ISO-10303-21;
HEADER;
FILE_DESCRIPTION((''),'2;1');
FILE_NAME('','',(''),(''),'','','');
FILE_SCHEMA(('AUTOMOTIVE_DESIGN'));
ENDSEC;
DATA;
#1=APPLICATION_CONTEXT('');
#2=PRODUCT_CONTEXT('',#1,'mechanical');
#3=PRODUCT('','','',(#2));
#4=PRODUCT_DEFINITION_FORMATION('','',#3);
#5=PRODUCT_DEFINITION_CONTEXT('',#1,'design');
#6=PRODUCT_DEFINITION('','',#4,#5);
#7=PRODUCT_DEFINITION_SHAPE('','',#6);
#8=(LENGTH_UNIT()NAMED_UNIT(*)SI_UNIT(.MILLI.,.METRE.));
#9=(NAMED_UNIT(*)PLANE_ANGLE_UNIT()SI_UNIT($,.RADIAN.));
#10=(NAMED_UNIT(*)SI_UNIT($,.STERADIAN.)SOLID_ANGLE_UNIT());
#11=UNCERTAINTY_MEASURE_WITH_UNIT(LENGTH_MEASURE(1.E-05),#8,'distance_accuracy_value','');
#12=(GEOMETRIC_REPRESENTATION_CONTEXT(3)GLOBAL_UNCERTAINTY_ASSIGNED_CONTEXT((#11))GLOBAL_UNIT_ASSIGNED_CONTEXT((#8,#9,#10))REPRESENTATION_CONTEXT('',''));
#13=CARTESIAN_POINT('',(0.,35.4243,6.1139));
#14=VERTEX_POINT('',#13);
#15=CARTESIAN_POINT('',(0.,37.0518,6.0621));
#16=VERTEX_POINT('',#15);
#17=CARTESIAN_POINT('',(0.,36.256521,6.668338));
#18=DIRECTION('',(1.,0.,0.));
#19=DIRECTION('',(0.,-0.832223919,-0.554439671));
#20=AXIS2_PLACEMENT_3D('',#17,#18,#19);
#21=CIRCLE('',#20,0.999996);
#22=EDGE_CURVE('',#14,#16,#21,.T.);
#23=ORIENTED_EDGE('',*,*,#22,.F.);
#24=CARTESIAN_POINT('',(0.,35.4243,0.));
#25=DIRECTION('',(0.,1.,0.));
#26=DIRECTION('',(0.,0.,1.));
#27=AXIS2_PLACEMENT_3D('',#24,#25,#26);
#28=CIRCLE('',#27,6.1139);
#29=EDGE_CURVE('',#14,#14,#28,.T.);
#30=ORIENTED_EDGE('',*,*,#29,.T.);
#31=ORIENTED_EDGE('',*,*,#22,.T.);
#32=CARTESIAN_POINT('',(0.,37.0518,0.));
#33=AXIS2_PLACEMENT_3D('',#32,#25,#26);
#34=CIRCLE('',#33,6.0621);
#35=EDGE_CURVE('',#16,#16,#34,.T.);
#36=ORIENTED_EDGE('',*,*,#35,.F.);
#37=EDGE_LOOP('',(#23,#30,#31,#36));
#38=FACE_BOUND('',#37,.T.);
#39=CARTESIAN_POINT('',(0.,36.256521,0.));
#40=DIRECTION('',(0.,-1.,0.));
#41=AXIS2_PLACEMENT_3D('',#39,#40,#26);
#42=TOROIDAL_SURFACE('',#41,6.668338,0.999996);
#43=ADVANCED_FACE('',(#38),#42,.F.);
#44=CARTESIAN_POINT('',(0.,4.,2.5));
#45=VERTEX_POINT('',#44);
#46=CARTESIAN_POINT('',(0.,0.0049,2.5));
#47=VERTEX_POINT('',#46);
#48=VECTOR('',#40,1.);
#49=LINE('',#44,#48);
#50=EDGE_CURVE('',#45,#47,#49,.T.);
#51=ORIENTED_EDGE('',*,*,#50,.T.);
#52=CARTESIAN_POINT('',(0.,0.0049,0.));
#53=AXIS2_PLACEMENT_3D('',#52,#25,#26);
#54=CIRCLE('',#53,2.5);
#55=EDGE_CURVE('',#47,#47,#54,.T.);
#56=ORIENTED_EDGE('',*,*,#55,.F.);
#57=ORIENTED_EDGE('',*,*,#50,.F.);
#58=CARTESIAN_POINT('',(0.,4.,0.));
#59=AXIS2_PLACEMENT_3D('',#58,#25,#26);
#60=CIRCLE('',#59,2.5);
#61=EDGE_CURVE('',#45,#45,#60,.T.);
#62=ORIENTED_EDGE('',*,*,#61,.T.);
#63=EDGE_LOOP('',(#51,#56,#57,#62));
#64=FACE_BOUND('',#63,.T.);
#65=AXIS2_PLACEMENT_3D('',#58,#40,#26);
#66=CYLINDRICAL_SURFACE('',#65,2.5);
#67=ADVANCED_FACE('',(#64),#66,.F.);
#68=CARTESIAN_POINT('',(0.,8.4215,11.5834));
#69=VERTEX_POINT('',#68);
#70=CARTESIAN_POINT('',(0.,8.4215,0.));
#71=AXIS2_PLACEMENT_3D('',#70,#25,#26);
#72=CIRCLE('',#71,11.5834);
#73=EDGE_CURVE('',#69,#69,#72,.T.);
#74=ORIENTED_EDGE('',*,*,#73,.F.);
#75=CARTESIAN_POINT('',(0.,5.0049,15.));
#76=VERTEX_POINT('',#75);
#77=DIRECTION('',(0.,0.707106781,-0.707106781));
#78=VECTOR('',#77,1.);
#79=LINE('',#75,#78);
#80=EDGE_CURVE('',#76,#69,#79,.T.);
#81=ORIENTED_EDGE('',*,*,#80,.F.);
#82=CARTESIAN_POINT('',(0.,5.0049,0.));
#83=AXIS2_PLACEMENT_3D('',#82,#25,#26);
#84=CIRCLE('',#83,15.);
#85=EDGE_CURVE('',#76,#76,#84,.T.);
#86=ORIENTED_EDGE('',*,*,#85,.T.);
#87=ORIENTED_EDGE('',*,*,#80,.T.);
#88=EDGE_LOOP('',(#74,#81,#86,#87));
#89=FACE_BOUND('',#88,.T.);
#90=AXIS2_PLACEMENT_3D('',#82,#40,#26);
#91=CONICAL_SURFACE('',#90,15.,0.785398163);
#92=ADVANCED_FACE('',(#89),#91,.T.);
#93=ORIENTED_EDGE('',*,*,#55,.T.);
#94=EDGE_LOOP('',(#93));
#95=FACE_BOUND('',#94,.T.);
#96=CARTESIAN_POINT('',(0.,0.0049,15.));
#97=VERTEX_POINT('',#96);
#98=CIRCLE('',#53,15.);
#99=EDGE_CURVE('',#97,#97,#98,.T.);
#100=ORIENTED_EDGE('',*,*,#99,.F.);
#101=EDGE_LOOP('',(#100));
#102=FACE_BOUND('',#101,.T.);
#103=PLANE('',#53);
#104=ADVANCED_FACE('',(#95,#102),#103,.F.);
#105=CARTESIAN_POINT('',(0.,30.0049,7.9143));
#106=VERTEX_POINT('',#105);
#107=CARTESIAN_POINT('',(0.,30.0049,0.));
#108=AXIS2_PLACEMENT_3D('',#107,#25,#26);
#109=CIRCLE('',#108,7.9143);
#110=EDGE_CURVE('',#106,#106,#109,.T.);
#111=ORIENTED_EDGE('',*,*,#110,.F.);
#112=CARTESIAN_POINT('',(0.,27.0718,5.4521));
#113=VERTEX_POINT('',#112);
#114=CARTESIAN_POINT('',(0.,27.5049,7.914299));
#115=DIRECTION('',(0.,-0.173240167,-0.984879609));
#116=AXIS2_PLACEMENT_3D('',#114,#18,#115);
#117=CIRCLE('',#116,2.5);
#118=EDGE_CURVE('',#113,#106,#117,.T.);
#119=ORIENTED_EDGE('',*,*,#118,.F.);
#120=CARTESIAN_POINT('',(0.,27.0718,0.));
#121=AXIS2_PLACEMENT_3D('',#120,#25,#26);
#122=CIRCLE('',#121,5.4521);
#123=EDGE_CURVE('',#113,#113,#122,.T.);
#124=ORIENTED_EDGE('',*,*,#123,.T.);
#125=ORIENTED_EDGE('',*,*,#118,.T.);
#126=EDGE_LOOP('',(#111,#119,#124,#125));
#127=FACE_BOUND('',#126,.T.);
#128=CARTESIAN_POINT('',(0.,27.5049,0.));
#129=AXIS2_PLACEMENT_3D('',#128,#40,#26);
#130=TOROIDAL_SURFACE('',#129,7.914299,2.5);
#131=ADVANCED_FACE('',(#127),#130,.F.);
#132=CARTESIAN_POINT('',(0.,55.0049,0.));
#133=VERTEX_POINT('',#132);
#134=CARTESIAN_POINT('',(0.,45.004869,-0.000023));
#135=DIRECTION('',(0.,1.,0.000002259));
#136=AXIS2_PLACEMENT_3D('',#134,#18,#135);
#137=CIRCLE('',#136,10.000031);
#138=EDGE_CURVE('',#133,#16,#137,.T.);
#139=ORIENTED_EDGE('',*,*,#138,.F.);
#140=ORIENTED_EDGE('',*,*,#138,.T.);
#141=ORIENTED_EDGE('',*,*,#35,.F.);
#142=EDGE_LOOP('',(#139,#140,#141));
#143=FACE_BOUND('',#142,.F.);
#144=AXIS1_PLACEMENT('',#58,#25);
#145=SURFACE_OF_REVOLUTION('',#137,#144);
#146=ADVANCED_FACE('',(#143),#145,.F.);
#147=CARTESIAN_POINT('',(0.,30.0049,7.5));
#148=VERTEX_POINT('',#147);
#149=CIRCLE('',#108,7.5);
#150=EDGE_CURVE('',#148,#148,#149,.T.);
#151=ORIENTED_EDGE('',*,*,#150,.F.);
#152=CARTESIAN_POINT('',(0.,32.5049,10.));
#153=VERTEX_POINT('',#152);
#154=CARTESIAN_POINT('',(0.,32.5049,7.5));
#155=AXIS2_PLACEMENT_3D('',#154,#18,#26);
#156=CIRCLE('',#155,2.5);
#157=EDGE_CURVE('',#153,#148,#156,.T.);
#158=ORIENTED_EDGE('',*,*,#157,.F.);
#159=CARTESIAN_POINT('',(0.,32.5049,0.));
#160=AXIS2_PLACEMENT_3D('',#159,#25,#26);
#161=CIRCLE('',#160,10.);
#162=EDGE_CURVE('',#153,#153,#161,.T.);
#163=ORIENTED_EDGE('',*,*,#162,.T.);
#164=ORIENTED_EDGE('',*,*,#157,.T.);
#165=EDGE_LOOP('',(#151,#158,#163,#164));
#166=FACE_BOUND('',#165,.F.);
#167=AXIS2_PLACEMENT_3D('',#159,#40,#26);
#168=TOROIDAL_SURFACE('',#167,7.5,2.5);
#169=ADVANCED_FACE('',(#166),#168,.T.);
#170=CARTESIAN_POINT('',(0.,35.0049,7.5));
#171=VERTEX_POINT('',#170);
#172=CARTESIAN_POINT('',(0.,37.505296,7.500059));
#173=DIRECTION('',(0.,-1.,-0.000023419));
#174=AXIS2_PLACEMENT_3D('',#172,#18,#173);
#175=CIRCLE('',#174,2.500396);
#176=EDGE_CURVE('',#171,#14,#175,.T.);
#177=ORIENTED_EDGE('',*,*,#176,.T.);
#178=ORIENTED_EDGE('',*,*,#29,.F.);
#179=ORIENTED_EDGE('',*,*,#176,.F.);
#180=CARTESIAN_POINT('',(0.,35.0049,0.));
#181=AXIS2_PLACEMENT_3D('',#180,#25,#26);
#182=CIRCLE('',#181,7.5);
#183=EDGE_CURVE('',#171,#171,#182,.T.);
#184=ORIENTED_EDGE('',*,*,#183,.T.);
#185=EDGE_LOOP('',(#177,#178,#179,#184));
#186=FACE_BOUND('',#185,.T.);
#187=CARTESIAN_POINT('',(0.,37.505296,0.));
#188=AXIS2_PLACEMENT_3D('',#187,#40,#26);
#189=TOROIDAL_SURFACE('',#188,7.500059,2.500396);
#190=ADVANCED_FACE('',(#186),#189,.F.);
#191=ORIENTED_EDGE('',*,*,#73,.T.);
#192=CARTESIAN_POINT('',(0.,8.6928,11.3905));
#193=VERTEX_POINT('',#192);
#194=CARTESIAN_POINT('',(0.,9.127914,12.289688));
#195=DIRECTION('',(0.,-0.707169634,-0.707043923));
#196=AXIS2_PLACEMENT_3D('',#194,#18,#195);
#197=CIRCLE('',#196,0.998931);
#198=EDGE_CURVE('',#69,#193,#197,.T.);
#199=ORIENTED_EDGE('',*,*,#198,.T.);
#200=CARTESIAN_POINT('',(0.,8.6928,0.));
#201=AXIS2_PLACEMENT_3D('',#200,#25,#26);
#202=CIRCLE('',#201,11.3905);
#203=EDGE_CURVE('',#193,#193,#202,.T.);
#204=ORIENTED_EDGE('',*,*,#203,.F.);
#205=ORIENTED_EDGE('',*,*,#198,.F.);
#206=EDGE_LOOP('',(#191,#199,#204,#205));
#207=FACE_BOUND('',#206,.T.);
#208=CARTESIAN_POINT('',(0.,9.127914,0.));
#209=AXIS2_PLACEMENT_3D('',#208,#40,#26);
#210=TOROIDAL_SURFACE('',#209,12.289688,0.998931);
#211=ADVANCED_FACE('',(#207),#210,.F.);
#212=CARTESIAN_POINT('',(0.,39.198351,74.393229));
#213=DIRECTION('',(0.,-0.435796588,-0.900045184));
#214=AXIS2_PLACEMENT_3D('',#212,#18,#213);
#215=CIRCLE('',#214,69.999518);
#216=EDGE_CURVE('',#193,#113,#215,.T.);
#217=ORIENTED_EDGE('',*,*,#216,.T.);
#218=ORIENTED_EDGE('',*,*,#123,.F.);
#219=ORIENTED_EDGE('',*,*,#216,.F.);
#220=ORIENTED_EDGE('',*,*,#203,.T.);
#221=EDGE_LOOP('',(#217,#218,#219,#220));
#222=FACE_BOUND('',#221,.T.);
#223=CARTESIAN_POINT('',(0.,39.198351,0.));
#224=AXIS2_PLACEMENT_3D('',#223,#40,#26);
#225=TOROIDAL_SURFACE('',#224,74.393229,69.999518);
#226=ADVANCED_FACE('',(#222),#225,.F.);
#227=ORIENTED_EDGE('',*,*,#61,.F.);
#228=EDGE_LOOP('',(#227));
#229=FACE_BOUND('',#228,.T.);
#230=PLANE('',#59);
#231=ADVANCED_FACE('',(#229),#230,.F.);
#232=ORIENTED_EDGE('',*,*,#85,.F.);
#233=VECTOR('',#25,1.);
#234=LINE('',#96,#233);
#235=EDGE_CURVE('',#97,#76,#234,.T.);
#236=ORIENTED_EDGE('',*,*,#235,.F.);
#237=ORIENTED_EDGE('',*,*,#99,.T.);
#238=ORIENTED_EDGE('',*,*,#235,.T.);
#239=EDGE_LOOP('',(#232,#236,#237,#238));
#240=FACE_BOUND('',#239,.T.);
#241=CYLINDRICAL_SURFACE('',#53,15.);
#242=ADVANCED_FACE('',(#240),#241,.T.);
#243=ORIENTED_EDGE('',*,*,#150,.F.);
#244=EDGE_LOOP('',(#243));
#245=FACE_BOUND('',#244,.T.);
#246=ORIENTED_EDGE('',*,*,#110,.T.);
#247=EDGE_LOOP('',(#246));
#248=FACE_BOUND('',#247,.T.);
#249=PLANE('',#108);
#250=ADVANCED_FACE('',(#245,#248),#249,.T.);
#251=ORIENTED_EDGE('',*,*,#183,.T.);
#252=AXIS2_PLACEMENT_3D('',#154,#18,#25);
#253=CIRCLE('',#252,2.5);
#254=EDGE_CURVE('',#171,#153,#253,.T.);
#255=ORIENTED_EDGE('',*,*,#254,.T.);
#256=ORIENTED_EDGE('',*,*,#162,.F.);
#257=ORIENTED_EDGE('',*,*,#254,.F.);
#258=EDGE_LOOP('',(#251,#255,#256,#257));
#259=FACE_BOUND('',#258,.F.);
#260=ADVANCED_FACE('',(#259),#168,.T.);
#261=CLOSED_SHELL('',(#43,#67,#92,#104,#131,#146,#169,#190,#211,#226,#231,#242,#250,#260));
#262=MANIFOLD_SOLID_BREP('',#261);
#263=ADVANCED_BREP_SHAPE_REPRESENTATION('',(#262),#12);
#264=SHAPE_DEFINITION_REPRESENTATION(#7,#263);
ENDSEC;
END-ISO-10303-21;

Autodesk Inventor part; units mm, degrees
ref_plane "YZ Plane" through (0, 0, 0) normal (1, 0, 0) x (0, 1, 0)
ref_plane "XZ Plane" through (0, 0, 0) normal (0, 1, 0) x (-1, 0, 0)
ref_plane "XY Plane" through (0, 0, 0) normal (0, 0, 1) x (1, 0, 0)
sketch "Sketch1" plane through (0, 0, 0) normal (1, 0, 0) x (0, 1, 0)
  line L0 (4, 0) -> (4, 2.5)
  line L1 (4, 2.5) -> (0.0049, 2.5)
  line L2 (0.0049, 2.5) -> (0.0049, 15)
  line L3 (0.0049, 15) -> (5.0049, 15)
  line L4 (5.0049, 15) -> (8.4215, 11.5834)
  arc A0 (8.6928, 11.3905) -> (27.0718, 5.4521) centre (39.1985, 74.3936) ccw
  line L5 (30.0049, 7.9143) -> (30.0049, 7.5)
  line L6 (32.5049, 10) -> (32.5049, 10)
  line L7 (35.0049, 7.5) -> (35.0049, 7.5)
  arc A1 (55.0049, 0) -> (37.0518, 6.0621) centre (45.0049, 0) ccw
  line L8 (4, 0) -> (55.0049, 0)
  arc A2 (35.0049, 7.5) -> (35.4243, 6.1139) centre (37.5049, 7.5) ccw
  arc A3 (35.0049, 7.5) -> (32.5049, 10) centre (32.5049, 7.5) ccw
  arc A4 (32.5049, 10) -> (30.0049, 7.5) centre (32.5049, 7.5) ccw
  arc A5 (27.0718, 5.4521) -> (30.0049, 7.9143) centre (27.5049, 7.9143) ccw
  arc A6 (35.4243, 6.1139) -> (37.0518, 6.0621) centre (36.2565, 6.6683) ccw
  arc A7 (8.4215, 11.5834) -> (8.6928, 11.3905) centre (9.1286, 12.2905) ccw
  point P0 (0, 0)
  point P1 (0, 0)
  point P2 (8.5404, 11.4645)
  point P3 (30.0049, 5)
  point P4 (30.0049, 10)
  point P5 (35.0049, 10)
  point P6 (35.0049, 5)
  dimension "d0" = 4
  dimension "d1" = 2.5
  dimension "d2" = 15
  dimension "d3" = 5
  dimension "d4" = 5
  dimension "d5" = 135
  dimension "d6" = 70
  dimension "d7" = 5
  dimension "d8" = 5
  dimension "d9" = 5
  dimension "d10" = 2.5
  dimension "d11" = 1
  dimension "d12" = 1
revolve "Revolution1" add sketch "Sketch1" angle 360 about axis through (0, 4, 0) along (0, 1, 0)
properties part number "PawnUntagged"
